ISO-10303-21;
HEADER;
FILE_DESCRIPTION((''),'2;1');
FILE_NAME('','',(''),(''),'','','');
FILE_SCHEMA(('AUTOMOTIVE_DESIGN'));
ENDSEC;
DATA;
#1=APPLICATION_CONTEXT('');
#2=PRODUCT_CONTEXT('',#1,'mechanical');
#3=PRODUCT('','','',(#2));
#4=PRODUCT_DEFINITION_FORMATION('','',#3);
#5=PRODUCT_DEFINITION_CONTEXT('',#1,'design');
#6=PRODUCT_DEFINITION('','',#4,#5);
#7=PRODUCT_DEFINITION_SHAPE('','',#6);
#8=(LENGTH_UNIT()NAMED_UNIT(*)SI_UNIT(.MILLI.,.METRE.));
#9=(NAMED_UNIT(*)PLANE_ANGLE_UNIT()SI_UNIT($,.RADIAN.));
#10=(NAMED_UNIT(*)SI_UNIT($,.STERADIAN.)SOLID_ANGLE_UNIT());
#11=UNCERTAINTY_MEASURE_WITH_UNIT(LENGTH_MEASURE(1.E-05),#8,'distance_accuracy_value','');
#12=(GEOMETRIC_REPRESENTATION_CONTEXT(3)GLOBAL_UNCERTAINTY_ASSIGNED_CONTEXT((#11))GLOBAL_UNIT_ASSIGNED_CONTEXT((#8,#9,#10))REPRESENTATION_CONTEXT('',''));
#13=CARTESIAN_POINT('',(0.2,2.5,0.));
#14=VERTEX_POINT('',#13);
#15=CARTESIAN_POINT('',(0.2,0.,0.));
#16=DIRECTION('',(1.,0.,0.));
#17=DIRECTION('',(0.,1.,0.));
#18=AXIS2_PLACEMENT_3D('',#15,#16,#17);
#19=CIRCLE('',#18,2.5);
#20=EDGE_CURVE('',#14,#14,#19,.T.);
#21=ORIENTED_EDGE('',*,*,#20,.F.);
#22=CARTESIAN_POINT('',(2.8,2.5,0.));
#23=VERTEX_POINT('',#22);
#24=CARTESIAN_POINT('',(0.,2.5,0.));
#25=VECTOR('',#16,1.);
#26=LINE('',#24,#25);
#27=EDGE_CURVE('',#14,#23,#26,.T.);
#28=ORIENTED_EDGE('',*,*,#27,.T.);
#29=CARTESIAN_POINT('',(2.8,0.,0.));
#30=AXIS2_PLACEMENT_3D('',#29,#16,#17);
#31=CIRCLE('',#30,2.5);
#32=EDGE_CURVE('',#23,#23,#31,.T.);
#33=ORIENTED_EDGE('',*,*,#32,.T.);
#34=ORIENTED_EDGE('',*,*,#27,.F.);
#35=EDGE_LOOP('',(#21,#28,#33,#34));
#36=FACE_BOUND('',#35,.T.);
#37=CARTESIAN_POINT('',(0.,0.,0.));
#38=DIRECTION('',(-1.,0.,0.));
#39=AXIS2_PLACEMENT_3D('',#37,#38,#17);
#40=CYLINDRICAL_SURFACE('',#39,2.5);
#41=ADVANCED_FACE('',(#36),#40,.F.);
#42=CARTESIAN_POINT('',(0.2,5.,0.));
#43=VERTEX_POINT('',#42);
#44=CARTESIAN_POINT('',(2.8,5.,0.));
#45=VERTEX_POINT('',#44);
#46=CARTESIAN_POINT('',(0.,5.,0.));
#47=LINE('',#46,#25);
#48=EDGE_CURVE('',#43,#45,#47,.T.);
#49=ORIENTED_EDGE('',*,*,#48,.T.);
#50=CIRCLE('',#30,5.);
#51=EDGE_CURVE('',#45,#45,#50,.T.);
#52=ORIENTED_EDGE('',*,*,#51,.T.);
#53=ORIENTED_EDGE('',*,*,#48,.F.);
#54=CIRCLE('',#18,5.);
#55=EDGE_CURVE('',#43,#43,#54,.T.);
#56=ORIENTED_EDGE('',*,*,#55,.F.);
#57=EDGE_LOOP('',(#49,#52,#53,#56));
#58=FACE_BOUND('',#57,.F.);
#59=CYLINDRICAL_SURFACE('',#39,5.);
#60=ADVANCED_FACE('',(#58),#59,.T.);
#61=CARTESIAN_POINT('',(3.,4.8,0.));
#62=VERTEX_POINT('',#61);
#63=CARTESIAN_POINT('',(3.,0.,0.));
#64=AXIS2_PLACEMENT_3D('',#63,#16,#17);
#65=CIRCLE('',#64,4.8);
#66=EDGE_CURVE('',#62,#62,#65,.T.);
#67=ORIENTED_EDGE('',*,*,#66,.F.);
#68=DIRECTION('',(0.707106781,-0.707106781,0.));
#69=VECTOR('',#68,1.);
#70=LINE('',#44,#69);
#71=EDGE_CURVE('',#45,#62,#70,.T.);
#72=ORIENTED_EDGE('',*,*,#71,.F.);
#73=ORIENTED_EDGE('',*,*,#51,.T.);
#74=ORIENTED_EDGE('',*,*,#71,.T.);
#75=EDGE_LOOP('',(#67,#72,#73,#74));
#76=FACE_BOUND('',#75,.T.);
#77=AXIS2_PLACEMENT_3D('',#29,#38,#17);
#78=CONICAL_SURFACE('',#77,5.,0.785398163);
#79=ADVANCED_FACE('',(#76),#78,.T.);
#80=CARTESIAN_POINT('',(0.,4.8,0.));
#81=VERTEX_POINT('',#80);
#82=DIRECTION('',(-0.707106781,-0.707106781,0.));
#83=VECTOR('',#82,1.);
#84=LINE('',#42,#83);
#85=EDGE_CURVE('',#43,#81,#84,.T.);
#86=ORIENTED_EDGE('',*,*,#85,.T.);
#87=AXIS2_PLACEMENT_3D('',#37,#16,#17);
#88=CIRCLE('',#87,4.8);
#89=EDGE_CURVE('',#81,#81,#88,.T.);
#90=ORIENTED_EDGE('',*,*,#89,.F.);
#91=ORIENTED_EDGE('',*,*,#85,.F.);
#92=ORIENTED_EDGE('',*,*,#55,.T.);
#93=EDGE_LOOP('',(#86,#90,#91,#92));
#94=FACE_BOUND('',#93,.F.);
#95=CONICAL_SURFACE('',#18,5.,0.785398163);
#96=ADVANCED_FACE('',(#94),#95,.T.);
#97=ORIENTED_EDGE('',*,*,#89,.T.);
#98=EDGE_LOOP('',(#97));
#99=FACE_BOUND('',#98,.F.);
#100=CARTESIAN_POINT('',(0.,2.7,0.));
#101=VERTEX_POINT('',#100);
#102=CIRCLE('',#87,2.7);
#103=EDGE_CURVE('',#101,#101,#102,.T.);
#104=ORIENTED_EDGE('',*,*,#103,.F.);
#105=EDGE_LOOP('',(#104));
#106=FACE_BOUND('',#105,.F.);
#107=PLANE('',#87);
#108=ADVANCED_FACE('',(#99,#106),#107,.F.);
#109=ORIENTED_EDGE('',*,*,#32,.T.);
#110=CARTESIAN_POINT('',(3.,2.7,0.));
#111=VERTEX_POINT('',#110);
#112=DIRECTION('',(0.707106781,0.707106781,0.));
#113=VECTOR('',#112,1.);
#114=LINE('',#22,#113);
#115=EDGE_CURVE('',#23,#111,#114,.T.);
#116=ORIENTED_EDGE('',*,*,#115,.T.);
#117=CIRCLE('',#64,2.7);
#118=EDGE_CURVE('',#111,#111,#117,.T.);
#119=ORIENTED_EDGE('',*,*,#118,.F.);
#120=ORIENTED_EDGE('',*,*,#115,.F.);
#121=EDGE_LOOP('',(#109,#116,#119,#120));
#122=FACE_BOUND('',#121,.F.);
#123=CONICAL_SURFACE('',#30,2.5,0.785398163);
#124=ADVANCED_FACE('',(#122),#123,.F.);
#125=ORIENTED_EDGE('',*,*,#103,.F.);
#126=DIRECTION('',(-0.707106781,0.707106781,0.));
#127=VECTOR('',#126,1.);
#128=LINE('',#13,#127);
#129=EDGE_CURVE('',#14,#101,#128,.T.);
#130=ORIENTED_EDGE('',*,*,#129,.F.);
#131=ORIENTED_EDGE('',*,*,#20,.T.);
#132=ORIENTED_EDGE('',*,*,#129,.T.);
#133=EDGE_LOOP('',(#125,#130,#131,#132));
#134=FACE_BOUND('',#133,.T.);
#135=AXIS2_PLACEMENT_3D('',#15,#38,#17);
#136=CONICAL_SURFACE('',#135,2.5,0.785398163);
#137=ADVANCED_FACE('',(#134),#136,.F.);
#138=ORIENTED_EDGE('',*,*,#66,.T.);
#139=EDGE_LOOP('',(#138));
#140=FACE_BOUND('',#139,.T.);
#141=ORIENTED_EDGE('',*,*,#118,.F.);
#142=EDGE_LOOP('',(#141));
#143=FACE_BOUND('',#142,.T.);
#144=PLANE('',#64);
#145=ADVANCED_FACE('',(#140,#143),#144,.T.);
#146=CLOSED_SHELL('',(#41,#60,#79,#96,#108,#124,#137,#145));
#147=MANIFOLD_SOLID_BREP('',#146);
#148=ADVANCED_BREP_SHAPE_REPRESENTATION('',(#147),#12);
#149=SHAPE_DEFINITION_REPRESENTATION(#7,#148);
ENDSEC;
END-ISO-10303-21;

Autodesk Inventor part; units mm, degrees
ref_plane "YZ Plane" through (0, 0, 0) normal (1, 0, 0) x (0, 1, 0)
ref_plane "XZ Plane" through (0, 0, 0) normal (0, 1, 0) x (-1, 0, 0)
ref_plane "XY Plane" through (0, 0, 0) normal (0, 0, 1) x (1, 0, 0)
sketch "Skizze3" plane through (0, 0, 0) normal (1, 0, 0) x (0, 1, 0)
  circle A0 centre (0, 0) radius 2.5
  circle A1 centre (0, 0) radius 5
  dimension "d4" = 5
  dimension "d5" = 10
extrude "Extrusion3" add sketch "Skizze3" along normal blind 3
chamfer "Fase1" distance 0.2 angle 45 4 edges at (3, -5, 0) (0, -5, 0) (3, -2.5, 0) (0, -2.5, 0)
properties part number "BT012_huenin20_23" material "Gummi"
